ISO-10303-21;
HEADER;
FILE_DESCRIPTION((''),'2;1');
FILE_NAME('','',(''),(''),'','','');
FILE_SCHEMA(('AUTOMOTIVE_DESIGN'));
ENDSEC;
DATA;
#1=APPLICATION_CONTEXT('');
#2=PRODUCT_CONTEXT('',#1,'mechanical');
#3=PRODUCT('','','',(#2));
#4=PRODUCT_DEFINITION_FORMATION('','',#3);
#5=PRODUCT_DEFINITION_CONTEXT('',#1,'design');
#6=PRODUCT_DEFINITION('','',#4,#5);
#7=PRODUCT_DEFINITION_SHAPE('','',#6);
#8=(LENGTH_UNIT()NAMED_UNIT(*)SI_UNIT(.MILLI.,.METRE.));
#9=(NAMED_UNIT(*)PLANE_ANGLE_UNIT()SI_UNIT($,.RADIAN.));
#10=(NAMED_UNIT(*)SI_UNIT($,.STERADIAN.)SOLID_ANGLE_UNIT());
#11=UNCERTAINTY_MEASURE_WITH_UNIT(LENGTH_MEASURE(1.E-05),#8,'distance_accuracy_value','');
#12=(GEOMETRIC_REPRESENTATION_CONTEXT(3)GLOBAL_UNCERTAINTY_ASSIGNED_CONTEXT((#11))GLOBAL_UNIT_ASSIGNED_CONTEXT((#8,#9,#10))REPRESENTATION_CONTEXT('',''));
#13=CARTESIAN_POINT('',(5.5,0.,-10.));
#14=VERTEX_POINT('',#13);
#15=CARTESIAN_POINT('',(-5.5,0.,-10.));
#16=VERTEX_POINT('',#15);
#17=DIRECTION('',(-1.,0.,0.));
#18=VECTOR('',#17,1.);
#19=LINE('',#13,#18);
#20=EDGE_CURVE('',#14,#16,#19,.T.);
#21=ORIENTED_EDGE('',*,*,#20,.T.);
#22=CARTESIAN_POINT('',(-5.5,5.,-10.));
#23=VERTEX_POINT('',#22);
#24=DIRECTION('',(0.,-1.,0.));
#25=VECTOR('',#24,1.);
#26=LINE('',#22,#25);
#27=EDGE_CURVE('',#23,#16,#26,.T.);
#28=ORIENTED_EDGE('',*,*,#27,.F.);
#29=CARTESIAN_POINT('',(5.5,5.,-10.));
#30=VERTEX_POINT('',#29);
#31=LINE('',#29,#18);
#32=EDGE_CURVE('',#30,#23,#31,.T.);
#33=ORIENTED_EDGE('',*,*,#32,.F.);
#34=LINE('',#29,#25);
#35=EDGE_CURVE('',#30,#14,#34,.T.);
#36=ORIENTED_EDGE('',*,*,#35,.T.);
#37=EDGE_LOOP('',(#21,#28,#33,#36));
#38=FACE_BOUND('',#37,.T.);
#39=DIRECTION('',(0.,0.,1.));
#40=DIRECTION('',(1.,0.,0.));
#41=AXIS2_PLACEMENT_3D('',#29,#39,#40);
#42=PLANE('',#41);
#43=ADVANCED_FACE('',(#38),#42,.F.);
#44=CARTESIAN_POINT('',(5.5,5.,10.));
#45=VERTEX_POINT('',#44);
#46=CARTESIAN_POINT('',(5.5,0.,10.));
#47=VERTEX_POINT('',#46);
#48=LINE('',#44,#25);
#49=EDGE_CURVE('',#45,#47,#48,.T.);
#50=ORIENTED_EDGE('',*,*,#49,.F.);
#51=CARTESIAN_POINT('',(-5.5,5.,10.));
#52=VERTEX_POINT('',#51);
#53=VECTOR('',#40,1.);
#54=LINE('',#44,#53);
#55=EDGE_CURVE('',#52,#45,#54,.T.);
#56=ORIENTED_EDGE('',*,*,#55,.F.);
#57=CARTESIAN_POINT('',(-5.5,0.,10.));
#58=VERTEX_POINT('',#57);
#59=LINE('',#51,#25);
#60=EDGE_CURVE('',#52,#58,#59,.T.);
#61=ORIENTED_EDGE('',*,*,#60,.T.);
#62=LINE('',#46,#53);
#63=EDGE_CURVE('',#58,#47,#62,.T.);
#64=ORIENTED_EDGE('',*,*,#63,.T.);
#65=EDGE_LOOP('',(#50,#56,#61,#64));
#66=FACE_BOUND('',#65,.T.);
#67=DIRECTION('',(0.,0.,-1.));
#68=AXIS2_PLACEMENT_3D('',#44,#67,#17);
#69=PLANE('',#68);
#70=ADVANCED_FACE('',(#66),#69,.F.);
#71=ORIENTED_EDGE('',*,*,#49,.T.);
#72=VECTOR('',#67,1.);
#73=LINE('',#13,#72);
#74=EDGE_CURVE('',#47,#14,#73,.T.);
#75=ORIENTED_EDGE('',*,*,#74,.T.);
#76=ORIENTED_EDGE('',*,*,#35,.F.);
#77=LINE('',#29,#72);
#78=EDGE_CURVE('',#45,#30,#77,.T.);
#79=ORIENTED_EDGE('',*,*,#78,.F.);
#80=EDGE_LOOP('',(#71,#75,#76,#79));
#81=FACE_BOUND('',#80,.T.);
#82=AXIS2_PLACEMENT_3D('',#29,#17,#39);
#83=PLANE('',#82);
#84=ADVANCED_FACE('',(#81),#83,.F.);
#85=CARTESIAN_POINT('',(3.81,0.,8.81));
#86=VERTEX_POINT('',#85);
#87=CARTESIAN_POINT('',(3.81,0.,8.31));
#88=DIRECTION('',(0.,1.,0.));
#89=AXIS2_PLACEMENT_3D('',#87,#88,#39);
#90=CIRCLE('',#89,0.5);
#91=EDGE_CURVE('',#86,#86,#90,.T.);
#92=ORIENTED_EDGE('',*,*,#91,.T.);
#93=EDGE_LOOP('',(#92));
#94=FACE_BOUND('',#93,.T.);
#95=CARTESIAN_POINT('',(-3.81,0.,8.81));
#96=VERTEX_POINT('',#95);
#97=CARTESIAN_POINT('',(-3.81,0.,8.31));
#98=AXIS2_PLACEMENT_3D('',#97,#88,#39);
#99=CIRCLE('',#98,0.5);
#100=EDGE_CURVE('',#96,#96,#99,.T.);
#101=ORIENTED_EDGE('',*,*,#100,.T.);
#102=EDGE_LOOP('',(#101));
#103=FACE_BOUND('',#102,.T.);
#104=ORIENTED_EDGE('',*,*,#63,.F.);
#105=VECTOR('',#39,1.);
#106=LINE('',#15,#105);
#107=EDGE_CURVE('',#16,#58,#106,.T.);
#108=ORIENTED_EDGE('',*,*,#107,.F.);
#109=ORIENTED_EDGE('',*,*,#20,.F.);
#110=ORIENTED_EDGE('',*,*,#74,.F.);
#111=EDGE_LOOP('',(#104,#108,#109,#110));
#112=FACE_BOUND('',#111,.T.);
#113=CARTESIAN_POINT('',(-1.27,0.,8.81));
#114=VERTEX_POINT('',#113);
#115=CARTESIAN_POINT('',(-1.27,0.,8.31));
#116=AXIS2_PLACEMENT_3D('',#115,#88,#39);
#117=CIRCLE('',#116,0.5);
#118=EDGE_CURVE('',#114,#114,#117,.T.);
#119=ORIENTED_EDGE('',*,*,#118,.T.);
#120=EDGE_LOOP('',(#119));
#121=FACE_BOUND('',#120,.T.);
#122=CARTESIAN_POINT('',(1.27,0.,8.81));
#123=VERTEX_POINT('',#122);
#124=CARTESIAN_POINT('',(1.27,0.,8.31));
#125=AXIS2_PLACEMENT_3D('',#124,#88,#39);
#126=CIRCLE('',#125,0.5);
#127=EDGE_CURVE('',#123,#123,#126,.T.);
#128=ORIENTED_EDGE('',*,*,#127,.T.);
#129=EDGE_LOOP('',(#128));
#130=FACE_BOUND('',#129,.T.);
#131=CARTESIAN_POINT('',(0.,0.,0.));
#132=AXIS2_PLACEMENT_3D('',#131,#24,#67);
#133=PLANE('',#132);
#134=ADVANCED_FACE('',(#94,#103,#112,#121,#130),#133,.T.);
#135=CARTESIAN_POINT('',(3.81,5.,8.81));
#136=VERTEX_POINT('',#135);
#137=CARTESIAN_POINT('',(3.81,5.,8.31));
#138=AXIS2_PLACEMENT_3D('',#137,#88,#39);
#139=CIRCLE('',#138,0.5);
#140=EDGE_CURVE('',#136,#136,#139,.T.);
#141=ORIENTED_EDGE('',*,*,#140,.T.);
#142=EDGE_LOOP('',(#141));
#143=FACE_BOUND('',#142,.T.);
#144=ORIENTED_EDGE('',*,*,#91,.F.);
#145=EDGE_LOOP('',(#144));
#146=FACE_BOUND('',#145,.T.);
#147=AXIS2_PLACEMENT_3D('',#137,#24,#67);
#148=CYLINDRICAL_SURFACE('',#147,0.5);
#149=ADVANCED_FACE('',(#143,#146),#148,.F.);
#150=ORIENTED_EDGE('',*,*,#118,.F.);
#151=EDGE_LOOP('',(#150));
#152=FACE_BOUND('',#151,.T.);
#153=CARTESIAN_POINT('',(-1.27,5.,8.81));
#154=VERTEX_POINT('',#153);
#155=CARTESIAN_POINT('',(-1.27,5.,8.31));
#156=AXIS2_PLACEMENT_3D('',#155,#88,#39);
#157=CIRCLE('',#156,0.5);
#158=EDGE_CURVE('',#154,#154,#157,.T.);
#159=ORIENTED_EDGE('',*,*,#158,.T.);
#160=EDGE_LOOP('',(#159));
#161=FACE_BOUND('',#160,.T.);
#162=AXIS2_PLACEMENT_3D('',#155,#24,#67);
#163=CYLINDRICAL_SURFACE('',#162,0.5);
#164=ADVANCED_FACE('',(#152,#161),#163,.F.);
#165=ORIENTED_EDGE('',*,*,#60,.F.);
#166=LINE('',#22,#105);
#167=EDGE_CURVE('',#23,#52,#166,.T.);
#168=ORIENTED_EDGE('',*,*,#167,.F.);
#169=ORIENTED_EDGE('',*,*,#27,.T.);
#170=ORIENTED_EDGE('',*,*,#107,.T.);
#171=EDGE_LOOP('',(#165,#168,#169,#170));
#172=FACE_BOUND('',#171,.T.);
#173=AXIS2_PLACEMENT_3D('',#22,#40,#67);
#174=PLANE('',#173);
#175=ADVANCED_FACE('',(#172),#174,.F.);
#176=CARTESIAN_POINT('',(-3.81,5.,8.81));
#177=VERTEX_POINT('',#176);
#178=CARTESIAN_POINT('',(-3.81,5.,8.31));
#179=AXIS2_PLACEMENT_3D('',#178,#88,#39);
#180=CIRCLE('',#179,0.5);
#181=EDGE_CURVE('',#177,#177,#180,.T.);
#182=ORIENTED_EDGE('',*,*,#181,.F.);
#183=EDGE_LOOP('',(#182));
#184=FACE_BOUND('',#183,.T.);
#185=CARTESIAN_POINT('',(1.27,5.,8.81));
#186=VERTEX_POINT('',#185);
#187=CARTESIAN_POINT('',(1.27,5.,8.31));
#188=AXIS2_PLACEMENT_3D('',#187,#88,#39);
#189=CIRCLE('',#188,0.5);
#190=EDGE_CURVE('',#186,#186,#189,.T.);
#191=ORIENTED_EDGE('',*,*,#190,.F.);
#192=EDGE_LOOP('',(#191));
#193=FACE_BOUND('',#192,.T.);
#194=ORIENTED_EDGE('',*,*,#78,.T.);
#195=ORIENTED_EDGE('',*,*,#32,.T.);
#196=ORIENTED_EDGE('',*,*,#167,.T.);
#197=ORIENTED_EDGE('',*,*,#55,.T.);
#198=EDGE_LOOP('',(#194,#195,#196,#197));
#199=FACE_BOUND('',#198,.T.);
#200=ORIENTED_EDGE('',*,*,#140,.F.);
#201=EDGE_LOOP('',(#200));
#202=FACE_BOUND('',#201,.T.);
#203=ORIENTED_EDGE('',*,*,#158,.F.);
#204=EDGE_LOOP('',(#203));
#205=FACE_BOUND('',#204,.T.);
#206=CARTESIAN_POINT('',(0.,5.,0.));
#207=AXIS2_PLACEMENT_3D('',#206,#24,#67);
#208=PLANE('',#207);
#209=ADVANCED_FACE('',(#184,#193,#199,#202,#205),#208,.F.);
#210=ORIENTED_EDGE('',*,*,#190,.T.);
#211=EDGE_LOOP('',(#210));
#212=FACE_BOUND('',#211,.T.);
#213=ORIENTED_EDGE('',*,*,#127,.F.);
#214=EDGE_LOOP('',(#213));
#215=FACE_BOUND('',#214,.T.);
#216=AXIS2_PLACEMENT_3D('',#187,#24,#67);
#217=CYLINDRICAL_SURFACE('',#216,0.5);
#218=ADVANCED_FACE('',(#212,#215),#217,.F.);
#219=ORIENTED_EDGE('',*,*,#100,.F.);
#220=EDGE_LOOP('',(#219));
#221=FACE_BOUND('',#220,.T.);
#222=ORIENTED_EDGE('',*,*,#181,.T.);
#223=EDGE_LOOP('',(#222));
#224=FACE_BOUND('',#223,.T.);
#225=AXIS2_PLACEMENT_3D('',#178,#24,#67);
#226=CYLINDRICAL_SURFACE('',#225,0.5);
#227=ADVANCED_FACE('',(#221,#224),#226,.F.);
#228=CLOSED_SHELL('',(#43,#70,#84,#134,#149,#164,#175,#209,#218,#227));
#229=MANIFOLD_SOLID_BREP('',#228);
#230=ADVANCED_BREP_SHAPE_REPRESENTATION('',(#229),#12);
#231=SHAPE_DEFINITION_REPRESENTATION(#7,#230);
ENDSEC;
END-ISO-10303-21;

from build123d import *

# Parameters (mm, degrees)
SKETCH1_W           = 11
SKETCH1_H           = 20
SKETCH1_R           = 0.5
BOSS_EXTRUDE1_DEPTH = 5


with BuildPart() as part:
    # Sketch1 → Boss-Extrude1 (new body)
    with BuildSketch(Plane(origin=(0, 0, 0), x_dir=(1, 0, 0), z_dir=(0, 1, 0))):
        Rectangle(SKETCH1_W, SKETCH1_H)
        with Locations(Location((-3.81, -8.31, 0), (0, 0, 270))):
            Circle(SKETCH1_R, mode=Mode.SUBTRACT)
        with Locations(Location((-1.27, -8.31, 0), (0, 0, 270))):
            Circle(SKETCH1_R, mode=Mode.SUBTRACT)
        with Locations(Location((1.27, -8.31, 0), (0, 0, 270))):
            Circle(SKETCH1_R, mode=Mode.SUBTRACT)
        with Locations(Location((3.81, -8.31, 0), (0, 0, 270))):
            Circle(SKETCH1_R, mode=Mode.SUBTRACT)
    extrude(amount=BOSS_EXTRUDE1_DEPTH)


solid = part.part
